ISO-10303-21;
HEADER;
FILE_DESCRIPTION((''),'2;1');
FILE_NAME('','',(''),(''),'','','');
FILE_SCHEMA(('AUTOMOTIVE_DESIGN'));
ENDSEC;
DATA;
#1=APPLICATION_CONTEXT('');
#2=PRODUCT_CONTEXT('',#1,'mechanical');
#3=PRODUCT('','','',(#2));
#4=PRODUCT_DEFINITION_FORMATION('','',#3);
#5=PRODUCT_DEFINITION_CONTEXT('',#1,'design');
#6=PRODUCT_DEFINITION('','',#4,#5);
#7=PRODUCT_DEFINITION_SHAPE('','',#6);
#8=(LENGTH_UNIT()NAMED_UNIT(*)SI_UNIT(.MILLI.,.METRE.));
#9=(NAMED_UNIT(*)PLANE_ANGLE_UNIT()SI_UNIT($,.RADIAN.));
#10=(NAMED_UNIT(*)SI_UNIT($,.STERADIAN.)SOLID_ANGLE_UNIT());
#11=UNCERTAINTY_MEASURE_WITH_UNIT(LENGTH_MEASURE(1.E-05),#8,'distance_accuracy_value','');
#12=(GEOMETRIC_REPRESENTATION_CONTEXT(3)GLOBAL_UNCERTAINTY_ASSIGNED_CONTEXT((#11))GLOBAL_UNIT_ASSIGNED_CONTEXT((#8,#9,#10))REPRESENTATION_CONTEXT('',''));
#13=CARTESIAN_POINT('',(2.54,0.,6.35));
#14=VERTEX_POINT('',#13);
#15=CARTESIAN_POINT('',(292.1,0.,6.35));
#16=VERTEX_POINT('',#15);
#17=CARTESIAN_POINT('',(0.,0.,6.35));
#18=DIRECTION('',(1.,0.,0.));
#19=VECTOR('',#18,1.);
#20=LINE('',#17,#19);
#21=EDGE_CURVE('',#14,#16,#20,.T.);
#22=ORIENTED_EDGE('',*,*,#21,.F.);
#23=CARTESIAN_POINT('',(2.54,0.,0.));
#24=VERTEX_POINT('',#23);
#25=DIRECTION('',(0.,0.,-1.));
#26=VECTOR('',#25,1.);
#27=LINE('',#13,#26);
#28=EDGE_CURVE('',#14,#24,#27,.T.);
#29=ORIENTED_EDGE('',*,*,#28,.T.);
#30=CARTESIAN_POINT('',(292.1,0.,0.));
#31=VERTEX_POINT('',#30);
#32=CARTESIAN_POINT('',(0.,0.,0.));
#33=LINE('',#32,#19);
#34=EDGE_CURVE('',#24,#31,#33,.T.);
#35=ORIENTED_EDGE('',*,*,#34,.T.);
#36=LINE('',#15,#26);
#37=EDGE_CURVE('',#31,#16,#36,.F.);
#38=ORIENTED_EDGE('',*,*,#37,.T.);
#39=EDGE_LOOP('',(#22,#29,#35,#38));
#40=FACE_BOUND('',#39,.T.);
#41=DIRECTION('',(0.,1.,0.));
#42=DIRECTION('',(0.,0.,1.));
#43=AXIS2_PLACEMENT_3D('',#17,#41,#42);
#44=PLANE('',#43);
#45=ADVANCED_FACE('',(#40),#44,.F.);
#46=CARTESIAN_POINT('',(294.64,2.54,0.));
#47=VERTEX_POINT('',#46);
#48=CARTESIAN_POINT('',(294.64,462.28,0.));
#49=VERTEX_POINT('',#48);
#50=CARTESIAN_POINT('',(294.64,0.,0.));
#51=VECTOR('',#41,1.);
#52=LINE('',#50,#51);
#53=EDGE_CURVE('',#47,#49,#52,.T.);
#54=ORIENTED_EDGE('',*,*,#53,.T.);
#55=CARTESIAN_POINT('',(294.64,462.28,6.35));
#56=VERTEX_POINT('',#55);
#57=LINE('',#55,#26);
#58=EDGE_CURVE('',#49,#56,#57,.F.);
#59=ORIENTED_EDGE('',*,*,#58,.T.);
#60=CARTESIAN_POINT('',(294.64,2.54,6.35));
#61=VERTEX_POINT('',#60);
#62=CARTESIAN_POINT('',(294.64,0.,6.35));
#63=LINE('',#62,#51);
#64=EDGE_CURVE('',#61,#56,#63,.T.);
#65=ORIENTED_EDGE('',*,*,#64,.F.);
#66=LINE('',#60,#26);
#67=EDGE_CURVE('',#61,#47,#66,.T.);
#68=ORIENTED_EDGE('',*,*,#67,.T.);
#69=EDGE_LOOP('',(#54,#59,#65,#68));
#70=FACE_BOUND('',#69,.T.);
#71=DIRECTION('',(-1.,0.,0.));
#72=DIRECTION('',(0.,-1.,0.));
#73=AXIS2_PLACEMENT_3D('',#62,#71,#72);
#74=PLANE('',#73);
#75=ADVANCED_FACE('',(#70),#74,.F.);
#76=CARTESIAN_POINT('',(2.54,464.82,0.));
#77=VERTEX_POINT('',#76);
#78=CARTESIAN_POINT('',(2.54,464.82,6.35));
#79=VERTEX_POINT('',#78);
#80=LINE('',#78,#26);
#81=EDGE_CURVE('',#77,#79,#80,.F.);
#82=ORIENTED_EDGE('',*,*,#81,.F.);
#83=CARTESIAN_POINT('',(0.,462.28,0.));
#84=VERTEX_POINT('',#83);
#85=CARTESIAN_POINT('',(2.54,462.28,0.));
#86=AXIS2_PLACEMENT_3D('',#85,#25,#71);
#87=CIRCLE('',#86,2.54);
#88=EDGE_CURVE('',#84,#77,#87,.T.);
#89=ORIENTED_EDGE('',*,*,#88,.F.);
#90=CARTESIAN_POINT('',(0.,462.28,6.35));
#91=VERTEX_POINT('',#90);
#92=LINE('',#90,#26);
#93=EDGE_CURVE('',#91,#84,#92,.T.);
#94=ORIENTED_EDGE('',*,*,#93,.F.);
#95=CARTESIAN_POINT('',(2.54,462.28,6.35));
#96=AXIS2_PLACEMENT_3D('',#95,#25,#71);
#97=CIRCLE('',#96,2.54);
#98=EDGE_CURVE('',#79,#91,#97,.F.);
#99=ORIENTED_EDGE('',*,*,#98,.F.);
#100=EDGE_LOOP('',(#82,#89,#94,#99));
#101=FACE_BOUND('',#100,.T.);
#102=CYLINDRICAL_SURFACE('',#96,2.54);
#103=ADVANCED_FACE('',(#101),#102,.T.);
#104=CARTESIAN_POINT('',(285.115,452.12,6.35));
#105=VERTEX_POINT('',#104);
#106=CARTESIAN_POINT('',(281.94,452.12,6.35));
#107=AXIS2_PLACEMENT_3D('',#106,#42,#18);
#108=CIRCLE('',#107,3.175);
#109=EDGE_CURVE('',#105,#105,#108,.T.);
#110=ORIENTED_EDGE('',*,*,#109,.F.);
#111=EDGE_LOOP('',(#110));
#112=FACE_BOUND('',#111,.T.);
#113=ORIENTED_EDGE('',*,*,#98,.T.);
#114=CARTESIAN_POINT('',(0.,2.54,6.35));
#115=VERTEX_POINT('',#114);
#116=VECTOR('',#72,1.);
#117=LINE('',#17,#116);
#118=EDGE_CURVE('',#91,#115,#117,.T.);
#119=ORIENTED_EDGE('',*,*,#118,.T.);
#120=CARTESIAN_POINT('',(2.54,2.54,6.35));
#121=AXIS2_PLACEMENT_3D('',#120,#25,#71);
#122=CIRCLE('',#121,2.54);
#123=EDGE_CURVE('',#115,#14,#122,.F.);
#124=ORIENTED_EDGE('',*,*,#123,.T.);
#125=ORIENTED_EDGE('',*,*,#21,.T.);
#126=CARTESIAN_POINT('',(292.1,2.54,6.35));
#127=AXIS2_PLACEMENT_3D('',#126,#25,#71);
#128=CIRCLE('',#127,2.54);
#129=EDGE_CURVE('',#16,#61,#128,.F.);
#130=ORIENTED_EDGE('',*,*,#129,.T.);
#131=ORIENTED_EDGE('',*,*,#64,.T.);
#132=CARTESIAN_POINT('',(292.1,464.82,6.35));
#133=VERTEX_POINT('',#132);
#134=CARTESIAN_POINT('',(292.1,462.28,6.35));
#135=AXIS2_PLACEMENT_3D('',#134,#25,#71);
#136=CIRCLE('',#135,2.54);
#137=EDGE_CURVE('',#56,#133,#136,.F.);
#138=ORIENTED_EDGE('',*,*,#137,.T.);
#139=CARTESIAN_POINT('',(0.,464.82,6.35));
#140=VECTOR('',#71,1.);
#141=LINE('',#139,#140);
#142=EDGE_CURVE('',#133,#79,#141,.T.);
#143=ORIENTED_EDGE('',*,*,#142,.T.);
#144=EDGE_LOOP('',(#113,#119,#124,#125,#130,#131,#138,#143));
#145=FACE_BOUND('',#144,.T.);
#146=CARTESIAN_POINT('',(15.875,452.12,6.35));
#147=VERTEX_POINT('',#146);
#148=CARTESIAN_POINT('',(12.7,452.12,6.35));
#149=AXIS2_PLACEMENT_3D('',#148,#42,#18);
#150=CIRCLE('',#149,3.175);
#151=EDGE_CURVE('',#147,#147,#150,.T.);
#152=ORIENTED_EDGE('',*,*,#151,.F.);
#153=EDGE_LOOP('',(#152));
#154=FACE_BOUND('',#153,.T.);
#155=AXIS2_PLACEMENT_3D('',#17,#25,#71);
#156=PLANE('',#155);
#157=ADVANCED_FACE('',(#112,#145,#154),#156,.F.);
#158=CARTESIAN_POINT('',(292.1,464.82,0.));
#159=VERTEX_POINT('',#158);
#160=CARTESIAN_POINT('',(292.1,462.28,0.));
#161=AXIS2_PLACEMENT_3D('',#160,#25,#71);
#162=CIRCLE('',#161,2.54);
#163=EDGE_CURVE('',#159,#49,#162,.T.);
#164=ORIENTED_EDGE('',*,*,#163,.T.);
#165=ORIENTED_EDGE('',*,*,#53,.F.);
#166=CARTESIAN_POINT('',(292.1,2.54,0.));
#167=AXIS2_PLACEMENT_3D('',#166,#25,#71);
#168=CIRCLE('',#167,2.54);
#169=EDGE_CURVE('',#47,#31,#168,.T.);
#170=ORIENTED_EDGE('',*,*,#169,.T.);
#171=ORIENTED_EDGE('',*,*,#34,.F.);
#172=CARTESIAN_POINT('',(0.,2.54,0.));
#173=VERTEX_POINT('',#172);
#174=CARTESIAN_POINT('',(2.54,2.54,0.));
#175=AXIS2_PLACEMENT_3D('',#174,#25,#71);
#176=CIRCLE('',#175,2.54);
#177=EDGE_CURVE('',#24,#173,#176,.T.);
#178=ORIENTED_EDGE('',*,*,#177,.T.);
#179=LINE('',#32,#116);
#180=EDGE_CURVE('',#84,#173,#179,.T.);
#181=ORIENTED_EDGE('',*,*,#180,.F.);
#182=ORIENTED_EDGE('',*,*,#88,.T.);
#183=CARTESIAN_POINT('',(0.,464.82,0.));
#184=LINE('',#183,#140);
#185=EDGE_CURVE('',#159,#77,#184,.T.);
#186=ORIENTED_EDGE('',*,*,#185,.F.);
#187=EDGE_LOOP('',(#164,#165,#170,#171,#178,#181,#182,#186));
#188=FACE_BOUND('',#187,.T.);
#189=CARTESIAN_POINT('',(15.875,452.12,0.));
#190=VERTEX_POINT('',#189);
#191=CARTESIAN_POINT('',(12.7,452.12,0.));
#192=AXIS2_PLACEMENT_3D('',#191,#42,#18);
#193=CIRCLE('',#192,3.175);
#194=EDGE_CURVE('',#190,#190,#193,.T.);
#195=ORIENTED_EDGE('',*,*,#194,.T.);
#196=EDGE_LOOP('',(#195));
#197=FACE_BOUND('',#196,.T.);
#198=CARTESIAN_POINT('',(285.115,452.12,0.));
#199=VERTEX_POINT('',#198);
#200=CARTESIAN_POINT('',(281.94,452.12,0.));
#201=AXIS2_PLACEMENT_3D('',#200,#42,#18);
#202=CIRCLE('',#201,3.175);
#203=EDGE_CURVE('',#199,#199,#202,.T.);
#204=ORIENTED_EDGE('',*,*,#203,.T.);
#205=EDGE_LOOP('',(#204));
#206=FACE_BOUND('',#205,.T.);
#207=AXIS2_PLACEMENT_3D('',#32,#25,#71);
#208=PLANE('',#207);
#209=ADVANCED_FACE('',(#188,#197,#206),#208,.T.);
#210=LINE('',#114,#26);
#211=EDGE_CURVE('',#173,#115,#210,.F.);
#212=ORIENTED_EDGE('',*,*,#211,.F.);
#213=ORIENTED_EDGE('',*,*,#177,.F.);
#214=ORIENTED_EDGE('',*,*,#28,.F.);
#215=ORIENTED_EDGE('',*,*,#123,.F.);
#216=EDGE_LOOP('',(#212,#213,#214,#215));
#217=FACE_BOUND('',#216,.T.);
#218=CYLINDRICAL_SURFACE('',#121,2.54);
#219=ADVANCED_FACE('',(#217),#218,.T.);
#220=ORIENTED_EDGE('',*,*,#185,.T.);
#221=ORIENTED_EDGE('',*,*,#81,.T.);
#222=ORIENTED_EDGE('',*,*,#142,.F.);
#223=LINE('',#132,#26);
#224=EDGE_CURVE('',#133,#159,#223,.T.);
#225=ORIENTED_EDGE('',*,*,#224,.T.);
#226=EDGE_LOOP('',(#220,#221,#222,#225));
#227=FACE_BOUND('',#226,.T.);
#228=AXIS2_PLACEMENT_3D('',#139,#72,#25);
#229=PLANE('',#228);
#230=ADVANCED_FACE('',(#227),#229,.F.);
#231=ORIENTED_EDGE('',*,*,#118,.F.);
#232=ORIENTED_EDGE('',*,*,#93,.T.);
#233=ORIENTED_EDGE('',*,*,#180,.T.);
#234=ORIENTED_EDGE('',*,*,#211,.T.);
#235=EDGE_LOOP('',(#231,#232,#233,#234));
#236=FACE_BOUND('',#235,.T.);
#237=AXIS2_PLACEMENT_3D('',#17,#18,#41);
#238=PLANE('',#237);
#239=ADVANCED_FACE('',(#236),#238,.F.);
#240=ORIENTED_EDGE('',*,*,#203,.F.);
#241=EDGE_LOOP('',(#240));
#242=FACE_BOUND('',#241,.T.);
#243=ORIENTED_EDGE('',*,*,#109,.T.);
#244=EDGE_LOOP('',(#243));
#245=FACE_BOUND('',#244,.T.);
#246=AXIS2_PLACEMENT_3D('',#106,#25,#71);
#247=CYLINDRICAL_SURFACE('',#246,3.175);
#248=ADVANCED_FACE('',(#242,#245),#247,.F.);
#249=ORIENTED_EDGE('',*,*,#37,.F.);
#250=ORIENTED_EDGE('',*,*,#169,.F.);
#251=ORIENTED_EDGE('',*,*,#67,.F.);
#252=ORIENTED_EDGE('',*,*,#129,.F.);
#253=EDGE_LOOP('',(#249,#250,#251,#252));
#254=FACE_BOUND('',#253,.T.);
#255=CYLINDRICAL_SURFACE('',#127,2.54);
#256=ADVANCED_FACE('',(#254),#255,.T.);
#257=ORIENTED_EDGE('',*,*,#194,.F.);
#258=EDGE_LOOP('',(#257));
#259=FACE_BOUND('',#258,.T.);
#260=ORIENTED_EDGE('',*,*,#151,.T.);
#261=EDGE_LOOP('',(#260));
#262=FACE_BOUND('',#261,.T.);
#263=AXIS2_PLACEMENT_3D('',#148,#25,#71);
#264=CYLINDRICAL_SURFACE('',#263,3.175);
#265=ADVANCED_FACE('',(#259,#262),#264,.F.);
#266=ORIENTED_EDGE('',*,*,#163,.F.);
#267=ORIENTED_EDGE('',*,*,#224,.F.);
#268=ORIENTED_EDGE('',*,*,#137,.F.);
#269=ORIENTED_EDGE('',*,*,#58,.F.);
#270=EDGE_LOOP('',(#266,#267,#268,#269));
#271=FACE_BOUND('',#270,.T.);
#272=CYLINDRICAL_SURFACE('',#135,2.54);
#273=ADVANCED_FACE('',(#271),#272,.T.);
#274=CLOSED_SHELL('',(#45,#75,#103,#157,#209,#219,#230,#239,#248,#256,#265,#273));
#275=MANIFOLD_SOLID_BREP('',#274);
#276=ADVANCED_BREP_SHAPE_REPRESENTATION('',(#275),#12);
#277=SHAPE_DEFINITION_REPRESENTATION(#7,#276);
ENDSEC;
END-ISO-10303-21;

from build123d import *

# Parameters (mm, degrees)
SKETCH1_W           = 294.64
SKETCH1_H           = 464.82
SKETCH1_R           = 3.175
BOSS_EXTRUDE1_DEPTH = 6.35
FILLET1_R           = 2.54


with BuildPart() as part:
    # Sketch1 → Boss-Extrude1 (new body)
    with BuildSketch(Plane.XY):
        with Locations((147.32, 232.41)):
            Rectangle(SKETCH1_W, SKETCH1_H)
        with Locations((12.7, 452.12)):
            Circle(SKETCH1_R, mode=Mode.SUBTRACT)
        with Locations((281.94, 452.12)):
            Circle(SKETCH1_R, mode=Mode.SUBTRACT)
    extrude(amount=BOSS_EXTRUDE1_DEPTH)

    # Fillet1
    fillet1_edges = [part.edges().sort_by_distance(p)[0] for p in [
        (0, 464.82, 3.175),
        (294.64, 464.82, 3.175),
        (294.64, 0, 3.175),
        (0, 0, 3.175),
    ]]
    fillet(fillet1_edges, radius=FILLET1_R)


solid = part.part
